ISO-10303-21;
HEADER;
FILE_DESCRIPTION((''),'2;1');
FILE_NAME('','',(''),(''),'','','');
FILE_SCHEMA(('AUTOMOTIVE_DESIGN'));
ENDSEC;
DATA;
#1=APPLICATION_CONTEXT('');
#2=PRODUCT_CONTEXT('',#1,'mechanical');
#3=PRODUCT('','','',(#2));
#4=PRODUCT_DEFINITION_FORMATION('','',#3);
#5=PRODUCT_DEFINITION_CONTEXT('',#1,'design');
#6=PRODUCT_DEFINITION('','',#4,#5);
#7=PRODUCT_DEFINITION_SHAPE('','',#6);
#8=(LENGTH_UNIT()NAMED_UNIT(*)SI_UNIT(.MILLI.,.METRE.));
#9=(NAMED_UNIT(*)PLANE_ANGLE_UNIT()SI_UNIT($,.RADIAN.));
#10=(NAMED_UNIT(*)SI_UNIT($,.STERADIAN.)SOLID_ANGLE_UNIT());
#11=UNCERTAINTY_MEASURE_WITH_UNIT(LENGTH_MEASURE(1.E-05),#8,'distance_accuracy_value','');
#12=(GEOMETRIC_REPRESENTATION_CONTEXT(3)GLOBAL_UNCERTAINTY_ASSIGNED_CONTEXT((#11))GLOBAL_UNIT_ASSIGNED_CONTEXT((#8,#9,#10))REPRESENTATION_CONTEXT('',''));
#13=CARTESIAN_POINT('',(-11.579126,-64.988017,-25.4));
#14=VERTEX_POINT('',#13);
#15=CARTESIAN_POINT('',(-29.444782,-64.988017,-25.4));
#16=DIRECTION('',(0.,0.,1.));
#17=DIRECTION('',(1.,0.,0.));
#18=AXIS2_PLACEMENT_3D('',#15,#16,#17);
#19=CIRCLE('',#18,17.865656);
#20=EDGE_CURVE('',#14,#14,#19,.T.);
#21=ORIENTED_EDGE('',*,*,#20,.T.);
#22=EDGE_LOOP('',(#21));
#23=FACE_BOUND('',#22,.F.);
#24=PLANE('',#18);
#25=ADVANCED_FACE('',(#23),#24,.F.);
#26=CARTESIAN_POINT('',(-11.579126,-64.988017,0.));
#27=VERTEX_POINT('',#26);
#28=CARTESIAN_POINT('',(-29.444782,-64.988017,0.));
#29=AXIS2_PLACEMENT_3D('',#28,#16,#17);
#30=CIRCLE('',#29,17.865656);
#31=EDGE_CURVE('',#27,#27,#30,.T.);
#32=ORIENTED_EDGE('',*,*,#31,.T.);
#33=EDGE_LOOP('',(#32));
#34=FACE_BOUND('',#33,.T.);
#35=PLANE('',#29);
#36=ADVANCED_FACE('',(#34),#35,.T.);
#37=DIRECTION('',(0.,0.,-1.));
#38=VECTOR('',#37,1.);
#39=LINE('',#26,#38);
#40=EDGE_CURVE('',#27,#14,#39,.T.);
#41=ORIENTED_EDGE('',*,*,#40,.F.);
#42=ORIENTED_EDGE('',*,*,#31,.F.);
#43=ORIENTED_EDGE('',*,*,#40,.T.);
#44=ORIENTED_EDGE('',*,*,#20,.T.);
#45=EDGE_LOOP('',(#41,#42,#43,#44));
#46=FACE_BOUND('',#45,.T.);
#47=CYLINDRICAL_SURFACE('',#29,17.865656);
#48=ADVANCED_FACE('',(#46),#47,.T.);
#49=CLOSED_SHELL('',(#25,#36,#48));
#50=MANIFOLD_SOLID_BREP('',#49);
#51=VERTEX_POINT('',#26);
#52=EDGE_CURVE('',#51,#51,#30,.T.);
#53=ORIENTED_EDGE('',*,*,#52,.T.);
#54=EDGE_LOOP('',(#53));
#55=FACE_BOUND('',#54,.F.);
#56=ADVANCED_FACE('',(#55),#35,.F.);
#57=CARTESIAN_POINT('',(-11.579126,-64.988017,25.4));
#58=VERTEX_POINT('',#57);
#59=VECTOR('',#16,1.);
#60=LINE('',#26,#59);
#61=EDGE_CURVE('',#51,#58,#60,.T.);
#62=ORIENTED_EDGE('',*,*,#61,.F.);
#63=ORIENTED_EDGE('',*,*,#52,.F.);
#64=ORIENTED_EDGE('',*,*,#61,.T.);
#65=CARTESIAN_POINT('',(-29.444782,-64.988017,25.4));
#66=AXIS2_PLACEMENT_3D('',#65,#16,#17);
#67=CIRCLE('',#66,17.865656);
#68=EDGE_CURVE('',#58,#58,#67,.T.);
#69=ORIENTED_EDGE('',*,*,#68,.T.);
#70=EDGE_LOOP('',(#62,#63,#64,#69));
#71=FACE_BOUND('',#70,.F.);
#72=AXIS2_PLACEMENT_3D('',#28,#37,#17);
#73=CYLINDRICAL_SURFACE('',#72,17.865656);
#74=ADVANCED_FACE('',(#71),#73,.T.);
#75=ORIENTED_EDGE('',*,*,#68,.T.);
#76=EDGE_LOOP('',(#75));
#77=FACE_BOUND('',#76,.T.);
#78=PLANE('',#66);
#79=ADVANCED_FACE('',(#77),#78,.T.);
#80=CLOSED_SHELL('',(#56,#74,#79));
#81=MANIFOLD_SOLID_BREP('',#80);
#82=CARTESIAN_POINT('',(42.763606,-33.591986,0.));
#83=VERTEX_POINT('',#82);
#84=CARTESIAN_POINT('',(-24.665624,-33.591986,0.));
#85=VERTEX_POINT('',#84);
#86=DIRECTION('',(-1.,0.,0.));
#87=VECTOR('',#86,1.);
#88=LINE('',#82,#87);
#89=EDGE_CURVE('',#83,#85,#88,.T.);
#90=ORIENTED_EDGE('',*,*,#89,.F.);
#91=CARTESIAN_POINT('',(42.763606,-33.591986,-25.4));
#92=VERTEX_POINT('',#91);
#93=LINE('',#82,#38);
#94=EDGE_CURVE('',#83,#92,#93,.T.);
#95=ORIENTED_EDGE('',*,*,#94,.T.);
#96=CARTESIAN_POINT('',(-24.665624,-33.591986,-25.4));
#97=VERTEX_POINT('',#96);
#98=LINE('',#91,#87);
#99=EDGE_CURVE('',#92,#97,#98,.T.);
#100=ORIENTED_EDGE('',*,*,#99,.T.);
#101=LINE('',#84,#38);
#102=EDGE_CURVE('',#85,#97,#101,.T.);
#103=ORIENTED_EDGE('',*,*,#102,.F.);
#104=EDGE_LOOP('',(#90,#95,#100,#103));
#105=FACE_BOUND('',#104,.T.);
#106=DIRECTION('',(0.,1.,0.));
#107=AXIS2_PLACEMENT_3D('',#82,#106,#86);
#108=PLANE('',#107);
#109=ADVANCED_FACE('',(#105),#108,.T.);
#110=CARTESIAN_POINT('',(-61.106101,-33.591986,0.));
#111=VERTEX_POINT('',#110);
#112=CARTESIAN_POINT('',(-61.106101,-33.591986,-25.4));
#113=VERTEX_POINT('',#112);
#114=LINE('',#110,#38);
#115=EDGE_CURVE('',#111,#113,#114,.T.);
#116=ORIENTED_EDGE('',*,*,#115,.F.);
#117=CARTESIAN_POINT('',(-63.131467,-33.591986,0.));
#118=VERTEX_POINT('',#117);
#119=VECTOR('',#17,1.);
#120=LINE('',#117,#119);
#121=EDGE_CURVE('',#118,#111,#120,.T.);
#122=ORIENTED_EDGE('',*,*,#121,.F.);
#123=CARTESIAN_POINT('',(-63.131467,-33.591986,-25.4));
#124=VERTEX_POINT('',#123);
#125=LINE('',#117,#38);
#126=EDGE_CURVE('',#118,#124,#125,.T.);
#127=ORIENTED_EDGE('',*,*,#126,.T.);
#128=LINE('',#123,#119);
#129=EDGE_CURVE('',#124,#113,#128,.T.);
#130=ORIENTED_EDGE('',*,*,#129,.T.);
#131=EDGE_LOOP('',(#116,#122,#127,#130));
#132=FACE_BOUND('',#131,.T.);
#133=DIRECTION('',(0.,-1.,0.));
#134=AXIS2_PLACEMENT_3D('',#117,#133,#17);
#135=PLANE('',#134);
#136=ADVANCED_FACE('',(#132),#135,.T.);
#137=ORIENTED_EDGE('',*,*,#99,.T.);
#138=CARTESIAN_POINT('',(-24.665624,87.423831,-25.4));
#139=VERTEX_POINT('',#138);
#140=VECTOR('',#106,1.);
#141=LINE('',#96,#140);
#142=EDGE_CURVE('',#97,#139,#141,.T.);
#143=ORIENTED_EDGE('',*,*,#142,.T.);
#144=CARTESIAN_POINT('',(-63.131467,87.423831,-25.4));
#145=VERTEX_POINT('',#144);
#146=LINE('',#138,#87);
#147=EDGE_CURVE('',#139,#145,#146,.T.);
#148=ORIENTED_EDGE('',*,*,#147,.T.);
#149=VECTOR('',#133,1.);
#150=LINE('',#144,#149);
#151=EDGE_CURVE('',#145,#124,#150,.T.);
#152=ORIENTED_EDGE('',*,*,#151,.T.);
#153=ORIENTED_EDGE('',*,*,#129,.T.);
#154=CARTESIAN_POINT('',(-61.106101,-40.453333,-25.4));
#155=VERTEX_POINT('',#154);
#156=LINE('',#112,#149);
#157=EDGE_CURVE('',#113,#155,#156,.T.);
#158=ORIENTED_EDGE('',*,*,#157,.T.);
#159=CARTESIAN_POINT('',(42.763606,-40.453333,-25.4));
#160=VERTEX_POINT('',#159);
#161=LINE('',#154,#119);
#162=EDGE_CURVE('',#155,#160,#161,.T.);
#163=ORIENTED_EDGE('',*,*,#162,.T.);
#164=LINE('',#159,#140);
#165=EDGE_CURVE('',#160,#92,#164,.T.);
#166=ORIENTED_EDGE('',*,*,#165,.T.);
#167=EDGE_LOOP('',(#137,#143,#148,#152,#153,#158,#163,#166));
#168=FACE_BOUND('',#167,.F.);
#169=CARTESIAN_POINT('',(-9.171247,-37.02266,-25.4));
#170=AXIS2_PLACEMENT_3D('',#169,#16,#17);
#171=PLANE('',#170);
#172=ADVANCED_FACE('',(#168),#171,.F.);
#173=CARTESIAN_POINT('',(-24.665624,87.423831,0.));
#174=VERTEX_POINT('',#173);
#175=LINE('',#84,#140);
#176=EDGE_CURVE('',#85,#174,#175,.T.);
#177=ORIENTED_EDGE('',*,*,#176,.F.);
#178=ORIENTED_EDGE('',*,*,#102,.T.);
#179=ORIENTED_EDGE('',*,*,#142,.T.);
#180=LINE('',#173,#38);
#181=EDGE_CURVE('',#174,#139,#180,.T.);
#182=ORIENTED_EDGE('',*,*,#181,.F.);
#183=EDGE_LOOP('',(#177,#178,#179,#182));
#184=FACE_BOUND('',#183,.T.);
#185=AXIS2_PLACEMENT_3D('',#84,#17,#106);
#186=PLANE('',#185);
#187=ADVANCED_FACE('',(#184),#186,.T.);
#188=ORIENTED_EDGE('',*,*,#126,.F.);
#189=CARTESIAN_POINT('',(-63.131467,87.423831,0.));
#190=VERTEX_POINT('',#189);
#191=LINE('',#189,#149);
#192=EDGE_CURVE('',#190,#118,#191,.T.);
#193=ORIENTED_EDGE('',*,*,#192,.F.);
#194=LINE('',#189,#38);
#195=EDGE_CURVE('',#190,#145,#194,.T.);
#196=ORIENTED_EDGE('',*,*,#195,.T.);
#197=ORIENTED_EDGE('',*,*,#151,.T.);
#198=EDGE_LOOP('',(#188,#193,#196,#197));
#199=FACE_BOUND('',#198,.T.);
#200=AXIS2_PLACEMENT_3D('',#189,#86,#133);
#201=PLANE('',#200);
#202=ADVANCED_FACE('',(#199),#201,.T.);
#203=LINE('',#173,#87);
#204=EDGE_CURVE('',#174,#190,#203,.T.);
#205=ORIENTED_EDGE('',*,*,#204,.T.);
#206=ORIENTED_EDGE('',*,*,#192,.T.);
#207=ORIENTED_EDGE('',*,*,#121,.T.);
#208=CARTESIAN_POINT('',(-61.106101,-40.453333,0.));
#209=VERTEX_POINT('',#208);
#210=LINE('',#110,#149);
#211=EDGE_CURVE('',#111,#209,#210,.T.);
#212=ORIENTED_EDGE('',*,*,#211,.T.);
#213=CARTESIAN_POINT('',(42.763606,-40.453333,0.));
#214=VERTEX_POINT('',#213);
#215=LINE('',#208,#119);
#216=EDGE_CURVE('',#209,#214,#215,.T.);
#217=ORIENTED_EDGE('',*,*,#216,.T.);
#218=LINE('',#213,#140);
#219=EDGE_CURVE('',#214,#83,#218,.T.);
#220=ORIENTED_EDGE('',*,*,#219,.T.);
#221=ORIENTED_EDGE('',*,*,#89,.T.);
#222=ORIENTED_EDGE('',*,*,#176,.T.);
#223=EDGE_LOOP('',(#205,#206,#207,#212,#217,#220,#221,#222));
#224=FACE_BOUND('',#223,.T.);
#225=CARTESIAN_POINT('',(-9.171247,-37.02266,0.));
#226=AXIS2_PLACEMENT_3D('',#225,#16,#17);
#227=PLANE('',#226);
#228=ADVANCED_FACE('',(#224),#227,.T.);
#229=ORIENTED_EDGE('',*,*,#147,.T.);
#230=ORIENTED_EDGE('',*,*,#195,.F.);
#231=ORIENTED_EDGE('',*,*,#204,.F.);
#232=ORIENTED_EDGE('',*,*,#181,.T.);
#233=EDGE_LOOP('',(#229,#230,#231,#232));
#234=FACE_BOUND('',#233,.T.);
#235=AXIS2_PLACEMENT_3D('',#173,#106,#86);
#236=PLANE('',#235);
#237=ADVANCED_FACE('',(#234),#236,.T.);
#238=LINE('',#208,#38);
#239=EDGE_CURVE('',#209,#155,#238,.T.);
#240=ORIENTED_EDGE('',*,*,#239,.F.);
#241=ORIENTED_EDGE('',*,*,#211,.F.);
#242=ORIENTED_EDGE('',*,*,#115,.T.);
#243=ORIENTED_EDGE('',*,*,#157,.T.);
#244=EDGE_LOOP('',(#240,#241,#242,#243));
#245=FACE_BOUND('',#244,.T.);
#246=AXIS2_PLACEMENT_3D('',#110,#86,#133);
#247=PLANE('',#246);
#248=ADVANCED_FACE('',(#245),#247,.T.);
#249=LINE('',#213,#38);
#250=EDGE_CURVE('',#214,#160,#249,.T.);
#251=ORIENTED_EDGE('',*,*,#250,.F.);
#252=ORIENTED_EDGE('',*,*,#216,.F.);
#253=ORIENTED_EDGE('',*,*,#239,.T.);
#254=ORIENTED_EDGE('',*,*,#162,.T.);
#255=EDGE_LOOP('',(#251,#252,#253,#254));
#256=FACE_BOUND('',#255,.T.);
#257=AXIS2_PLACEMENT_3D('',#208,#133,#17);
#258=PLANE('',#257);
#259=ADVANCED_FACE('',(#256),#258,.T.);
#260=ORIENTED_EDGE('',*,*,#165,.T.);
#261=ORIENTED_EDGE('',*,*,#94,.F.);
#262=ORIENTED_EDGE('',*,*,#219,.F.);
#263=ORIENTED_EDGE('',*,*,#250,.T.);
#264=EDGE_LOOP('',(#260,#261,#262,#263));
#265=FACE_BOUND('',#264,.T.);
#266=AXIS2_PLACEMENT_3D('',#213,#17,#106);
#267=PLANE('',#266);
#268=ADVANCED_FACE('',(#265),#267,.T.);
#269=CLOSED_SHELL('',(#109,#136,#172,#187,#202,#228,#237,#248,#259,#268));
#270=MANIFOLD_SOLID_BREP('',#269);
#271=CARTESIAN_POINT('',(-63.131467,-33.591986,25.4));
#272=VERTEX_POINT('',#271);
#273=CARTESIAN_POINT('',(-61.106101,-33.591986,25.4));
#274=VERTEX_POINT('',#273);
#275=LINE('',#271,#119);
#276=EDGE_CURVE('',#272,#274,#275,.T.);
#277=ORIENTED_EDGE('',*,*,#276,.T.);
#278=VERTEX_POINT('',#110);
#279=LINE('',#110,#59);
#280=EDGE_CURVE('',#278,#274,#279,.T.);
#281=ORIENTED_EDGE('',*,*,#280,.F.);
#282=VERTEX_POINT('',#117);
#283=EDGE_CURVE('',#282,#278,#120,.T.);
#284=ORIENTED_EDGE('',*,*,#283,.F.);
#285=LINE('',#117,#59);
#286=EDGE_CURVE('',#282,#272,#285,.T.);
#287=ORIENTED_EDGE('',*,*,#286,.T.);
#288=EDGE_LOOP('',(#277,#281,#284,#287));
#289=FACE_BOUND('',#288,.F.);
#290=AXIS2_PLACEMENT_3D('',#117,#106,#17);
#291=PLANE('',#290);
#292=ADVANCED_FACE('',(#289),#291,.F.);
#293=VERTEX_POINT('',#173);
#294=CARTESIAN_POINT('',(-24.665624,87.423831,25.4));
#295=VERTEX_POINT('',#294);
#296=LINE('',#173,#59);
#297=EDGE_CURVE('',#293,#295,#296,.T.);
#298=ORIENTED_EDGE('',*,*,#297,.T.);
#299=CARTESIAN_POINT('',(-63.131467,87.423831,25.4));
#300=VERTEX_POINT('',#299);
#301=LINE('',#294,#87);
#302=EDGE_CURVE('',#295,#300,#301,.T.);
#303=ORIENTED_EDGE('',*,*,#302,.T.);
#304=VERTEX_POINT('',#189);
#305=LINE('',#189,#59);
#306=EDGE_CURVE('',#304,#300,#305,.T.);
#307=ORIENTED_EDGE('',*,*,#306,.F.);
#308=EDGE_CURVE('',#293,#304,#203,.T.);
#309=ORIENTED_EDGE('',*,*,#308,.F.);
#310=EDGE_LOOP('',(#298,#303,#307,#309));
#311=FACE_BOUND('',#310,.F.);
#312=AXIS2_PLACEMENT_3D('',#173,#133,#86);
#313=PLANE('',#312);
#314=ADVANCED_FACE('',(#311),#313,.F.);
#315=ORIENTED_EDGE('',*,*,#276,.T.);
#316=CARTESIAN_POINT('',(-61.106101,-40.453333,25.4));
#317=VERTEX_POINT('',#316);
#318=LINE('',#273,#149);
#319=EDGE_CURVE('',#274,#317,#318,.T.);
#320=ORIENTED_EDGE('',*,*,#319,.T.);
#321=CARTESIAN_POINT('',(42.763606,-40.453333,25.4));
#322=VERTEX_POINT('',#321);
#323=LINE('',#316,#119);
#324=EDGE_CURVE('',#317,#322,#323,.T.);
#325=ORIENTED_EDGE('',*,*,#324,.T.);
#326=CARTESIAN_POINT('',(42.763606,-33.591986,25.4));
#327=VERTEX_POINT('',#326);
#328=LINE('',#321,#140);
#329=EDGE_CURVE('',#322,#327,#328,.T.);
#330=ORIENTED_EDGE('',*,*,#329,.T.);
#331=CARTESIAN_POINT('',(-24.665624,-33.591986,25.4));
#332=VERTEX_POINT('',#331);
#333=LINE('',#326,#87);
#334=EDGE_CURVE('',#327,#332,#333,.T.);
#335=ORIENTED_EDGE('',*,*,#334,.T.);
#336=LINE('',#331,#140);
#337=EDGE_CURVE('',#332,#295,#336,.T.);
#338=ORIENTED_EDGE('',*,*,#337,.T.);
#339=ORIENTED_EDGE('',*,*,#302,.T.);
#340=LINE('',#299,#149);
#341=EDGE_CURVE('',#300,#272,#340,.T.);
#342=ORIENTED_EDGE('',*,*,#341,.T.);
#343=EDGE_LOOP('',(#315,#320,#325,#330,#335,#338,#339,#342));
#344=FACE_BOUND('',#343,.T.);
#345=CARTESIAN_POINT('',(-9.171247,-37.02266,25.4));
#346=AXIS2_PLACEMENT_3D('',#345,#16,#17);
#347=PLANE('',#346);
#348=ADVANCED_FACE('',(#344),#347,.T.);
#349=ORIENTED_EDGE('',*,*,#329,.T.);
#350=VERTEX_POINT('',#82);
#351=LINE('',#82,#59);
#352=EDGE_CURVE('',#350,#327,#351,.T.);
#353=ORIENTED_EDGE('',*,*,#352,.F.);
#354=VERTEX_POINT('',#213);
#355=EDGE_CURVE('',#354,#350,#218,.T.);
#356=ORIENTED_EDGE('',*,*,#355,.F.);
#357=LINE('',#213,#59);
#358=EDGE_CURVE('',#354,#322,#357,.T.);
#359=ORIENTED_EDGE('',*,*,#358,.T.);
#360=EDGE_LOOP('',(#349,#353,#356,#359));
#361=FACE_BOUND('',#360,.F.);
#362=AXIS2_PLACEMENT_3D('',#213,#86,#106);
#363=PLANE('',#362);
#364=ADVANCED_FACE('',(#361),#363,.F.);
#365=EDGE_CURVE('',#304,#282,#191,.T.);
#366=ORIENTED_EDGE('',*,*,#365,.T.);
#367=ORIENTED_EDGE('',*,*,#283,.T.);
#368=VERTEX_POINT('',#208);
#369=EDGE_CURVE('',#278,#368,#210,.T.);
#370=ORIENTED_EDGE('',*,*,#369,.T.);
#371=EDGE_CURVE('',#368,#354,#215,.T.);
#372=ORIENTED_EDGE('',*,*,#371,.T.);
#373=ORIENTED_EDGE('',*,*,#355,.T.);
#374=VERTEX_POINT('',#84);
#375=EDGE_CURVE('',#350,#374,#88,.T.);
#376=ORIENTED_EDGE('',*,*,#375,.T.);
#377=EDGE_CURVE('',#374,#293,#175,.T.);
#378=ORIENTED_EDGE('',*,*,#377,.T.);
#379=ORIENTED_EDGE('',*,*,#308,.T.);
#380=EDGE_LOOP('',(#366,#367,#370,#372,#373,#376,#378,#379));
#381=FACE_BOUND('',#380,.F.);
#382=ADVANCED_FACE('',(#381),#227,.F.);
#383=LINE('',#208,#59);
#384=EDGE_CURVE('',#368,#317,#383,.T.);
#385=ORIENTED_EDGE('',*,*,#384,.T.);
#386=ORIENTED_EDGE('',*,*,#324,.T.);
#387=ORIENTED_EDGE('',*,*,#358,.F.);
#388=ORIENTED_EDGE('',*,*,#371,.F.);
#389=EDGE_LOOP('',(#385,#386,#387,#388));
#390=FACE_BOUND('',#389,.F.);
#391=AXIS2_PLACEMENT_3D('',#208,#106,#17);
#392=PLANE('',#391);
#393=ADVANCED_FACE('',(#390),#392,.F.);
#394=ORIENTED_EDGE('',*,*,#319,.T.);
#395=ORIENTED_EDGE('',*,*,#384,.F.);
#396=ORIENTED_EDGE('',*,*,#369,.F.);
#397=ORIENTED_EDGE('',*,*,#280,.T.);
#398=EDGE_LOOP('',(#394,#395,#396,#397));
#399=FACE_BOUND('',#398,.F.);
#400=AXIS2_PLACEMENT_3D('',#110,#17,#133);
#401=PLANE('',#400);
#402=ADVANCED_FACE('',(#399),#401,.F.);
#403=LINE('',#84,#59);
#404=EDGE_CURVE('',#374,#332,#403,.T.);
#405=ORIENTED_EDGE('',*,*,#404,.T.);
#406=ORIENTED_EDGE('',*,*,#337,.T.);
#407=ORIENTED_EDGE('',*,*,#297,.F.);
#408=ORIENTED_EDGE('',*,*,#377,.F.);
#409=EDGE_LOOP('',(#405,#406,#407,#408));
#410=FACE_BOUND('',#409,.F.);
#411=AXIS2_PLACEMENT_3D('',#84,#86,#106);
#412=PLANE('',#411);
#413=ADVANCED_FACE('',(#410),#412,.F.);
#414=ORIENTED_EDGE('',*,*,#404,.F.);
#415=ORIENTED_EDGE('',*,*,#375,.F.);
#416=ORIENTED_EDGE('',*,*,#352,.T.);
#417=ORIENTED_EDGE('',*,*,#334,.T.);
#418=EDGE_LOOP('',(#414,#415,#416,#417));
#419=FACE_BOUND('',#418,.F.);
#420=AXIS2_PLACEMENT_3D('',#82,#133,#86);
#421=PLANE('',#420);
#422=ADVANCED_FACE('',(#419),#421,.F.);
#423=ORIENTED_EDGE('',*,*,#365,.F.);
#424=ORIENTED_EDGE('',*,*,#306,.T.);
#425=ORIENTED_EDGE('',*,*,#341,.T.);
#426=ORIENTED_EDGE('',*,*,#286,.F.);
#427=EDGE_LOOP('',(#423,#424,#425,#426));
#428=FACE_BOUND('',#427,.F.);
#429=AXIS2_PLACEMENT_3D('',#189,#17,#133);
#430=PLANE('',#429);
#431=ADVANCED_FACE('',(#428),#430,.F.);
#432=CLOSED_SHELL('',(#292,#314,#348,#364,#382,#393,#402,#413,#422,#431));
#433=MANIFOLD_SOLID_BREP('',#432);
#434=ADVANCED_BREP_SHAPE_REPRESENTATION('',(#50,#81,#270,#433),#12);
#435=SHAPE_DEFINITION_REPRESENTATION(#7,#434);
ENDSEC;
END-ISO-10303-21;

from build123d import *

# Parameters (mm, degrees)
F0_R     = 17.865656
F1_DEPTH = 25.4
F2_DEPTH = 25.4


with BuildPart() as f1:
    # F0 (on Top) → F1 (new body)
    with BuildSketch(Plane.XY):
        Polygon((-61.106101, -40.453333), (42.763606, -40.453333), (42.763606, -33.591986), (-24.665624, -33.591986), (-61.106101, -33.591986), align=None)
        Polygon((-63.131467, -33.591986), (-61.106101, -33.591986), (-24.665624, -33.591986), (-24.665624, 87.423831), (-63.131467, 87.423831), align=None)
        with Locations((-29.444782, -64.988017)):
            Circle(F0_R)
    extrude(amount=-F1_DEPTH)


with BuildPart() as f2:
    # F0 (on Top) → F2 (new body)
    with BuildSketch(Plane.XY):
        Polygon((-61.106101, -40.453333), (42.763606, -40.453333), (42.763606, -33.591986), (-24.665624, -33.591986), (-61.106101, -33.591986), align=None)
        Polygon((-63.131467, -33.591986), (-61.106101, -33.591986), (-24.665624, -33.591986), (-24.665624, 87.423831), (-63.131467, 87.423831), align=None)
        with Locations((-29.444782, -64.988017)):
            Circle(F0_R)
    extrude(amount=F2_DEPTH)


solid = Compound([f1.part, f2.part])
